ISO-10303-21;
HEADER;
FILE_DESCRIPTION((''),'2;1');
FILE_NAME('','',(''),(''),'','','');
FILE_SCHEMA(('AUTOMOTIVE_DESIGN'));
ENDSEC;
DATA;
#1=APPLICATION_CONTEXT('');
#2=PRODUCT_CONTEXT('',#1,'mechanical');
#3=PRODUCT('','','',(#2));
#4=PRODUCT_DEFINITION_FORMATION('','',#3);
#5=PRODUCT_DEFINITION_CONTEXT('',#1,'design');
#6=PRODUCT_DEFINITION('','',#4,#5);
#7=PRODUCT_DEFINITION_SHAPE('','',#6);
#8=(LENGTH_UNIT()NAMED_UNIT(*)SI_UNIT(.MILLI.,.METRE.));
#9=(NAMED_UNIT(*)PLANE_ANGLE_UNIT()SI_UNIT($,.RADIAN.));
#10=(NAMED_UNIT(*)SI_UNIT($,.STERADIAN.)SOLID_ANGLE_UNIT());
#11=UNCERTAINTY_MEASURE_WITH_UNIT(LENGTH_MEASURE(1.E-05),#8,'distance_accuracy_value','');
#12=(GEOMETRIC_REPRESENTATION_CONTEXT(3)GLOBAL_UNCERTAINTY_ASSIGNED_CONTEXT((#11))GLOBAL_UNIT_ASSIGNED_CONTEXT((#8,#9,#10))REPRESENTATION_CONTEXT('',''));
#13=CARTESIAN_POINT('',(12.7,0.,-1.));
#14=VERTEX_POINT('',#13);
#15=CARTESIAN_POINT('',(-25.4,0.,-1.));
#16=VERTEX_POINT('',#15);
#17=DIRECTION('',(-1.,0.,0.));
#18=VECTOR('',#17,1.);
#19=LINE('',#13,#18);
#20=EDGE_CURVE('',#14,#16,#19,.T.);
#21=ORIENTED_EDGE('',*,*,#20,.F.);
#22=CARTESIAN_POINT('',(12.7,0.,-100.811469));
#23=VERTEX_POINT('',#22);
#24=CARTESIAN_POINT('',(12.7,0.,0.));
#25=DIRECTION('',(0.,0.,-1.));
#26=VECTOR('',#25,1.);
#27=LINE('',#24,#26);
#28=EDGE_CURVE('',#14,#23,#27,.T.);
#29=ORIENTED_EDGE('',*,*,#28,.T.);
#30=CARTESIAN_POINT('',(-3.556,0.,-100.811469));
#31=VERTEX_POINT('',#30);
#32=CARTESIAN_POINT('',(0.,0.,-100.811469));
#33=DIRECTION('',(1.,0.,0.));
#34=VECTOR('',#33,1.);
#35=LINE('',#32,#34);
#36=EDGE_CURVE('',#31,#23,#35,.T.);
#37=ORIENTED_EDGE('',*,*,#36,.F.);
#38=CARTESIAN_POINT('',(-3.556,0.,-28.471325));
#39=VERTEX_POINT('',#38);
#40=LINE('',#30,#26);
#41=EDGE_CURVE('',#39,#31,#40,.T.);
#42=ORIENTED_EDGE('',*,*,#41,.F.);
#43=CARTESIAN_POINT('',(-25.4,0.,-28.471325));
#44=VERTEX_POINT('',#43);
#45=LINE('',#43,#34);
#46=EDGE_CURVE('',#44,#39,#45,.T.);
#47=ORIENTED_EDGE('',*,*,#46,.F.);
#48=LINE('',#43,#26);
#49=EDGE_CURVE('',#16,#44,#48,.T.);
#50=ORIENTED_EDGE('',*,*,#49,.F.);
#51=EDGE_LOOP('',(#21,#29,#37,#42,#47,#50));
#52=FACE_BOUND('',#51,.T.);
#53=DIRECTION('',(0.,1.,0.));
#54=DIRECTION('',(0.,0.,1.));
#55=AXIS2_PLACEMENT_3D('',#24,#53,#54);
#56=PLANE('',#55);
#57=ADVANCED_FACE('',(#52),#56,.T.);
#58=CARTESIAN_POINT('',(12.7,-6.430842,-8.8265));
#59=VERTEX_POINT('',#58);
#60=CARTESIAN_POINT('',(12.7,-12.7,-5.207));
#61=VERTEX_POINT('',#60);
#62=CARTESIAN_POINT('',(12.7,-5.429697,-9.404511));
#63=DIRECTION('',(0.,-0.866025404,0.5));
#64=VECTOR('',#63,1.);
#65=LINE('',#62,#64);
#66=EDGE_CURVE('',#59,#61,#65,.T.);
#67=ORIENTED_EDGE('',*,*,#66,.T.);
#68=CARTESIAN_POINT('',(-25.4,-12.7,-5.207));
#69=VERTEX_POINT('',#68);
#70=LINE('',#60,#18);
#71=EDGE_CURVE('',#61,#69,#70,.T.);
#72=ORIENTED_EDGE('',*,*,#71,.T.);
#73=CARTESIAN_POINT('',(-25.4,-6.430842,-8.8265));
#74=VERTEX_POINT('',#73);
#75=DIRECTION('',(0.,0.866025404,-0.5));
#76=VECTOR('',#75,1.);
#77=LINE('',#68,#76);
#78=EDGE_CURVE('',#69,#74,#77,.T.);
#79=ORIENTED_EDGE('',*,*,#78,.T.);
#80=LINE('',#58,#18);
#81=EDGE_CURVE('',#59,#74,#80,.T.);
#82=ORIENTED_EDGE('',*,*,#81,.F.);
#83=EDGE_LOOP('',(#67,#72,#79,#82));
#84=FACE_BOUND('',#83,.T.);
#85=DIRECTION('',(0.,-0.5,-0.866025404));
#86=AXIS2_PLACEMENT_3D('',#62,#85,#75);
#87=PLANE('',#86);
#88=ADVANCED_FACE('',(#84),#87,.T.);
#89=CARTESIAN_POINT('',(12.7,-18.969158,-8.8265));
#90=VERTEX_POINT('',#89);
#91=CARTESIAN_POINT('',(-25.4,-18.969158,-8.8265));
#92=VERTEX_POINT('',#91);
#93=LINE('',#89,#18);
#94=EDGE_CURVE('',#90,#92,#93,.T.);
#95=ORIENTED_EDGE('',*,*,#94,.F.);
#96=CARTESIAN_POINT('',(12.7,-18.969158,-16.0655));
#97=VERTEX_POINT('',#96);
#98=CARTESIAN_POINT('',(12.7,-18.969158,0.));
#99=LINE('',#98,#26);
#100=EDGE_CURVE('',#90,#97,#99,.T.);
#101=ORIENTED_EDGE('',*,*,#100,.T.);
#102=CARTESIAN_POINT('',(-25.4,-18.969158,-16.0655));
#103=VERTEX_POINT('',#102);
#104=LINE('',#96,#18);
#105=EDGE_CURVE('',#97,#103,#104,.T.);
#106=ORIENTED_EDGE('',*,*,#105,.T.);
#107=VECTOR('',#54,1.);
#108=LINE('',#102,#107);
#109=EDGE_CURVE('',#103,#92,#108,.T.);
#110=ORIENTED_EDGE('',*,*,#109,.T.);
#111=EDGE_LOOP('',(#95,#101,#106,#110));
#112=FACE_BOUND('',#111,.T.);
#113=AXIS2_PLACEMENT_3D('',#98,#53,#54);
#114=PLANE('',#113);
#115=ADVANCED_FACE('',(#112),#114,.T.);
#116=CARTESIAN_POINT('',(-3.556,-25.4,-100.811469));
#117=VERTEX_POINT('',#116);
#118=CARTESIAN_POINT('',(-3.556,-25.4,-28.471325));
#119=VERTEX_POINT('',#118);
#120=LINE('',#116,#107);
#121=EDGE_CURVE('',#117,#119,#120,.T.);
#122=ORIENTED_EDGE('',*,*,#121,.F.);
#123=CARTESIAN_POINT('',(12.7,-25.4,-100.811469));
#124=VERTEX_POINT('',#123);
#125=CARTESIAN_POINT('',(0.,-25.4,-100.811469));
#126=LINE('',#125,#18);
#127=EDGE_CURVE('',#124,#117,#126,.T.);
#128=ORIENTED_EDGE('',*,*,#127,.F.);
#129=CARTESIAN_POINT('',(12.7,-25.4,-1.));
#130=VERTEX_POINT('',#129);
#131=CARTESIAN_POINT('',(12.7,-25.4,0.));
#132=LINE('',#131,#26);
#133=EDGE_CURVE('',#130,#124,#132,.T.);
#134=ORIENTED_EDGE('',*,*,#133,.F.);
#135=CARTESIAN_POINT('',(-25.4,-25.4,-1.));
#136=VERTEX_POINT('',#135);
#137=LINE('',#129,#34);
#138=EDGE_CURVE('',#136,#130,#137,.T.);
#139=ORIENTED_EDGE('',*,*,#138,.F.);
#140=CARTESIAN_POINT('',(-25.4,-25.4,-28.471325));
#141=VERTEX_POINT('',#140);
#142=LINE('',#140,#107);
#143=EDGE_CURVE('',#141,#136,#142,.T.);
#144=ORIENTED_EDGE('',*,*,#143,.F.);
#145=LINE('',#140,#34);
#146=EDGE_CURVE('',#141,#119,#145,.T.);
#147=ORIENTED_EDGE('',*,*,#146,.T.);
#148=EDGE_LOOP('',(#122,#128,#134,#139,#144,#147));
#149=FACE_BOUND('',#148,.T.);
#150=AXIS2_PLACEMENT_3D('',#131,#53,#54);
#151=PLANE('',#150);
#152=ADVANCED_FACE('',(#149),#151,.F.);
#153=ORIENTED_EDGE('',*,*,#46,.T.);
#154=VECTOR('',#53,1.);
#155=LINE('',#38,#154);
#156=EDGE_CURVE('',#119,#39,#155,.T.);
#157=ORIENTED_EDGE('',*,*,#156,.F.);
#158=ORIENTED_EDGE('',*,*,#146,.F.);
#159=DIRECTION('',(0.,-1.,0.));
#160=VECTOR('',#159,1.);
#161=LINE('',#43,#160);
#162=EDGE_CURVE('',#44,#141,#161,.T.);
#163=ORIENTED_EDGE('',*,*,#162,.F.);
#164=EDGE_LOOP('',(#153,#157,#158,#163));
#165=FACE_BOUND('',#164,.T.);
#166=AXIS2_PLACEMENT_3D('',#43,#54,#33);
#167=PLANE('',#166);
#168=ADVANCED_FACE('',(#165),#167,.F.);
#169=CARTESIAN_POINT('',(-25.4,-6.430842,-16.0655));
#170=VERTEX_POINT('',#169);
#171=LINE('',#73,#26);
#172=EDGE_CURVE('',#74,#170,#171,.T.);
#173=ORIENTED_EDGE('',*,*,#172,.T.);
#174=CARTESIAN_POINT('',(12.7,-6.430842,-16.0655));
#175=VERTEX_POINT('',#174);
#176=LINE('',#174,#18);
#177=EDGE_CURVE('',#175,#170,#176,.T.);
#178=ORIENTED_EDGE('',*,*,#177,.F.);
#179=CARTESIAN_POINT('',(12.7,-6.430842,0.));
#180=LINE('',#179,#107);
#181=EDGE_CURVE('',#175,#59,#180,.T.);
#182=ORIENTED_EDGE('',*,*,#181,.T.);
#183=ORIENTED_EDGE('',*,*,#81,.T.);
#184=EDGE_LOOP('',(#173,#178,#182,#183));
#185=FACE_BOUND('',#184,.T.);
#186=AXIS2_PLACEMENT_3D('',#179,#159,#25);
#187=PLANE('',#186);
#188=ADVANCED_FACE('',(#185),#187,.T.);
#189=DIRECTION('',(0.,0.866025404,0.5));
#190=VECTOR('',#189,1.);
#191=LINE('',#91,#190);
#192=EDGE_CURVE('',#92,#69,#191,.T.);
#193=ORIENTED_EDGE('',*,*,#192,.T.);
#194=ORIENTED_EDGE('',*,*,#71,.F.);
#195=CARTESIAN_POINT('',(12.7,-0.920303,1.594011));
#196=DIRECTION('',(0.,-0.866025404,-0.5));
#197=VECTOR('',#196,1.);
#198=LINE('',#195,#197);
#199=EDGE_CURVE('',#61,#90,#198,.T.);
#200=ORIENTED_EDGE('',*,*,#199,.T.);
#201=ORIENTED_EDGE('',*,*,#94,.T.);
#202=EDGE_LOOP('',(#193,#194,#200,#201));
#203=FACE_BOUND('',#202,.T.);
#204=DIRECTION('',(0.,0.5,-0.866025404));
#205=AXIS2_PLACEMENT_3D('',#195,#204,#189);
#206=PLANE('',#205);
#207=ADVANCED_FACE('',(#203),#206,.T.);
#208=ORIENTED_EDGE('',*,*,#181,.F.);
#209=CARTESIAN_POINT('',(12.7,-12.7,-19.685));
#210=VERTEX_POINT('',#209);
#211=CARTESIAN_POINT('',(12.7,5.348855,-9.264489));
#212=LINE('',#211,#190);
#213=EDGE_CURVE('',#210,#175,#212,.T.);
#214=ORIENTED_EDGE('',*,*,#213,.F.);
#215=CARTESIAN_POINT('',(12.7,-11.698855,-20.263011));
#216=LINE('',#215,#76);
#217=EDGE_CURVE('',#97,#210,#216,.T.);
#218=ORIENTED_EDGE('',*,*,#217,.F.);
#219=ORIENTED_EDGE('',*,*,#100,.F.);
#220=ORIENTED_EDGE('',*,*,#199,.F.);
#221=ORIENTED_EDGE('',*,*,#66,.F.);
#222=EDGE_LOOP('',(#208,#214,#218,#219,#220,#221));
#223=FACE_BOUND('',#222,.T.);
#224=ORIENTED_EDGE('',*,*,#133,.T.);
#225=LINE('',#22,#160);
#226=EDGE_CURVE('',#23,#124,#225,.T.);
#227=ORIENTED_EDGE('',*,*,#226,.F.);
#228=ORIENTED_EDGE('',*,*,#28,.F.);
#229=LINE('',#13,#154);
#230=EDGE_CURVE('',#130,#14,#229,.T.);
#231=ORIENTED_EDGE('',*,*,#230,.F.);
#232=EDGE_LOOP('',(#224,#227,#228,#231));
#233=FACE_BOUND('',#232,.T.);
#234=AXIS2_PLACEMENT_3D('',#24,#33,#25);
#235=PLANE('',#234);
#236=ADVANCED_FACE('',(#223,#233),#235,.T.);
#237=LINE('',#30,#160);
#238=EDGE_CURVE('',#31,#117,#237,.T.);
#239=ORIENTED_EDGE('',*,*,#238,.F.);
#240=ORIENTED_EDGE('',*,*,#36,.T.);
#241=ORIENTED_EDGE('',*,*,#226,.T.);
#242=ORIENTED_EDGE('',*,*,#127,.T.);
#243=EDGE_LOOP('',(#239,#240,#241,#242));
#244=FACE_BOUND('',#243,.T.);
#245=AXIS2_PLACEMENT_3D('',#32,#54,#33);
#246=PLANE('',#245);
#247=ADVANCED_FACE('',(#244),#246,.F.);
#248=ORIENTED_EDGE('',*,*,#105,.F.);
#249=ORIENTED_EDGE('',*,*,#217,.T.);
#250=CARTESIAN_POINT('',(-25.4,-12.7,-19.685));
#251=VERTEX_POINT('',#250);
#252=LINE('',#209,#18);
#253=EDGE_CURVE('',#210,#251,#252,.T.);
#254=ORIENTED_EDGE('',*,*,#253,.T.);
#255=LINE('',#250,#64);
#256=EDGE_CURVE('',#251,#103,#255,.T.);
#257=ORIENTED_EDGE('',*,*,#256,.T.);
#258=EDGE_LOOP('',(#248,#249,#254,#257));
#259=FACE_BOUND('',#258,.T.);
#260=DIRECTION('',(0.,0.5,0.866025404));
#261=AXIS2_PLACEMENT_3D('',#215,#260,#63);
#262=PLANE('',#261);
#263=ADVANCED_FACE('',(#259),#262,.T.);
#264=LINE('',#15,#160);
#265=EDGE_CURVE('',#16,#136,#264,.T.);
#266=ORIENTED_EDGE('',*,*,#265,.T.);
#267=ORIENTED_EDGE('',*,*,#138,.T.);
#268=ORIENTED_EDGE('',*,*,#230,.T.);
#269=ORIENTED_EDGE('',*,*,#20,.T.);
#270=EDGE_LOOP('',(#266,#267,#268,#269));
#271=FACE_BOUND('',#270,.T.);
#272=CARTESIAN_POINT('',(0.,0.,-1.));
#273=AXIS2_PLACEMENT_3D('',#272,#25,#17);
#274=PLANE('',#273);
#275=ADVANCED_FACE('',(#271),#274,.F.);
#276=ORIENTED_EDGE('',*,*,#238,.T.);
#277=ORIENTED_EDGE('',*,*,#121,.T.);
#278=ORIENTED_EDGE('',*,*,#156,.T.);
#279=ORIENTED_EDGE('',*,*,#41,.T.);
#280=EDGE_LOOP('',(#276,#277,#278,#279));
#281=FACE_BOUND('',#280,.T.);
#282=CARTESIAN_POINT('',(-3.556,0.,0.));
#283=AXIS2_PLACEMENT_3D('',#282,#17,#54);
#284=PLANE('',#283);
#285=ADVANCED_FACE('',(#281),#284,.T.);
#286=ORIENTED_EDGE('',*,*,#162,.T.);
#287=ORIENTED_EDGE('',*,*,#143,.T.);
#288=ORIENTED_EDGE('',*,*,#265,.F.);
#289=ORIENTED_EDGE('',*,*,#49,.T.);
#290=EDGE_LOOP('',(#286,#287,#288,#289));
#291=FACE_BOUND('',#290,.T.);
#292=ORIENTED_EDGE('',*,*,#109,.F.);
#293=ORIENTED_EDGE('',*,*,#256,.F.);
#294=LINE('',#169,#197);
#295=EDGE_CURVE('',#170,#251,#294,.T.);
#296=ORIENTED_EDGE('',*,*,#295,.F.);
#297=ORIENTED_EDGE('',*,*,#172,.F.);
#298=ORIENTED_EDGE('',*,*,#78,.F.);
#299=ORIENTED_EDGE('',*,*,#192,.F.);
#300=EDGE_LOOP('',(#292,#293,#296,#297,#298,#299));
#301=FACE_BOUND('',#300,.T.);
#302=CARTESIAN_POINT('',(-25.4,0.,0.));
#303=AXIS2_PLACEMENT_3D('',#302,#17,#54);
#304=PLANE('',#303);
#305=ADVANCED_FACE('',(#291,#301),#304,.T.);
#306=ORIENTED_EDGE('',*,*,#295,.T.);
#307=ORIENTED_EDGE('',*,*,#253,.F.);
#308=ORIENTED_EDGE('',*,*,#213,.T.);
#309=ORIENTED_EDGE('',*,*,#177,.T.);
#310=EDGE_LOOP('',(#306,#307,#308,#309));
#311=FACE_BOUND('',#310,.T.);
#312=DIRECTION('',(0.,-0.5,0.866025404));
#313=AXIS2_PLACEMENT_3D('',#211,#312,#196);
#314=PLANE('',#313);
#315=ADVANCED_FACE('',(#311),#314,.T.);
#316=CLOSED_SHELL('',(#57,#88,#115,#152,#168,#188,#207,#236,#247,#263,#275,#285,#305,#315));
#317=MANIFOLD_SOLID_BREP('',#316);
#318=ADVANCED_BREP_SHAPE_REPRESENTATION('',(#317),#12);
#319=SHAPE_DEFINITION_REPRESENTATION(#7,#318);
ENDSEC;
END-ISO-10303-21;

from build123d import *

# Parameters (mm, degrees)
SKETCH1_W           = 75.411469328
SKETCH1_H           = 25.4
BOSS_EXTRUDE1_DEPTH = 12.7
SKETCH3_W           = 12.7
SKETCH3_H           = 25.4
BOSS_EXTRUDE2_DEPTH = 25.4
SKETCH4_W           = 7.642985312
SKETCH4_H           = 25.4
BOSS_EXTRUDE4_DEPTH = 25.4
SKETCH5_W           = 72.340144766
SKETCH5_H           = 25.4
CUT_EXTRUDE1_DEPTH  = 6.604
SKETCH6_W           = 20.82833925
SKETCH6_H           = 25.4
BOSS_EXTRUDE5_DEPTH = 25.4
SKETCH7_W           = 72.340144766
SKETCH7_H           = 25.4
BOSS_EXTRUDE6_DEPTH = 10.16
SKETCH8_W           = 38.1
SKETCH8_H           = 25.4
CUT_EXTRUDE2_DEPTH  = 1


with BuildPart() as part:
    # Sketch1 → Boss-Extrude1 (new body)
    with BuildSketch(Plane(origin=(0, 0, 0), x_dir=(0, 0, -1), z_dir=(1, 0, 0))):
        with Locations((37.705734664, -12.7)):
            Rectangle(SKETCH1_W, SKETCH1_H)
        Polygon((19.685, -12.7), (16.0655, -6.430842102), (8.8265, -6.430842102), (5.207, -12.7), (8.8265, -18.969157898), (16.0655, -18.969157898), align=None, mode=Mode.SUBTRACT)
    extrude(amount=BOSS_EXTRUDE1_DEPTH)

    # Sketch3 → Boss-Extrude2 (add)
    with BuildSketch(Plane(origin=(0, 0, -75.411469328), x_dir=(-1, 0, 0), z_dir=(0, 0, -1))):
        with Locations((-6.35, -12.7)):
            Rectangle(SKETCH3_W, SKETCH3_H)
    extrude(amount=BOSS_EXTRUDE2_DEPTH)

    # Sketch4 → Boss-Extrude4 (add)
    with BuildSketch(Plane.ZY):
        with Locations((-24.649831906, -12.7)):
            Rectangle(SKETCH4_W, SKETCH4_H)
    extrude(amount=BOSS_EXTRUDE4_DEPTH)

    # Sketch5 → Cut-Extrude1 (cut)
    with BuildSketch(Plane.ZY):
        with Locations((-64.641396945, -12.7)):
            Rectangle(SKETCH5_W, SKETCH5_H)
    extrude(amount=-CUT_EXTRUDE1_DEPTH, mode=Mode.SUBTRACT)

    # Sketch6 → Boss-Extrude5 (add)
    with BuildSketch(Plane.ZY):
        with Locations((-10.414169625, -12.7)):
            Rectangle(SKETCH6_W, SKETCH6_H)
        Polygon((-8.8265, -6.430842102), (-16.0655, -6.430842102), (-19.685, -12.7), (-16.0655, -18.969157898), (-8.8265, -18.969157898), (-5.207, -12.7), align=None, mode=Mode.SUBTRACT)
    extrude(amount=BOSS_EXTRUDE5_DEPTH)

    # Sketch7 → Boss-Extrude6 (add)
    with BuildSketch(Plane.ZY.offset(-6.604)):
        with Locations((-64.641396945, -12.7)):
            Rectangle(SKETCH7_W, SKETCH7_H)
    extrude(amount=BOSS_EXTRUDE6_DEPTH)

    # Sketch8 → Cut-Extrude2 (cut)
    with BuildSketch(Plane.XY):
        with Locations((-6.35, -12.7)):
            Rectangle(SKETCH8_W, SKETCH8_H)
    extrude(amount=-CUT_EXTRUDE2_DEPTH, mode=Mode.SUBTRACT)


solid = part.part
